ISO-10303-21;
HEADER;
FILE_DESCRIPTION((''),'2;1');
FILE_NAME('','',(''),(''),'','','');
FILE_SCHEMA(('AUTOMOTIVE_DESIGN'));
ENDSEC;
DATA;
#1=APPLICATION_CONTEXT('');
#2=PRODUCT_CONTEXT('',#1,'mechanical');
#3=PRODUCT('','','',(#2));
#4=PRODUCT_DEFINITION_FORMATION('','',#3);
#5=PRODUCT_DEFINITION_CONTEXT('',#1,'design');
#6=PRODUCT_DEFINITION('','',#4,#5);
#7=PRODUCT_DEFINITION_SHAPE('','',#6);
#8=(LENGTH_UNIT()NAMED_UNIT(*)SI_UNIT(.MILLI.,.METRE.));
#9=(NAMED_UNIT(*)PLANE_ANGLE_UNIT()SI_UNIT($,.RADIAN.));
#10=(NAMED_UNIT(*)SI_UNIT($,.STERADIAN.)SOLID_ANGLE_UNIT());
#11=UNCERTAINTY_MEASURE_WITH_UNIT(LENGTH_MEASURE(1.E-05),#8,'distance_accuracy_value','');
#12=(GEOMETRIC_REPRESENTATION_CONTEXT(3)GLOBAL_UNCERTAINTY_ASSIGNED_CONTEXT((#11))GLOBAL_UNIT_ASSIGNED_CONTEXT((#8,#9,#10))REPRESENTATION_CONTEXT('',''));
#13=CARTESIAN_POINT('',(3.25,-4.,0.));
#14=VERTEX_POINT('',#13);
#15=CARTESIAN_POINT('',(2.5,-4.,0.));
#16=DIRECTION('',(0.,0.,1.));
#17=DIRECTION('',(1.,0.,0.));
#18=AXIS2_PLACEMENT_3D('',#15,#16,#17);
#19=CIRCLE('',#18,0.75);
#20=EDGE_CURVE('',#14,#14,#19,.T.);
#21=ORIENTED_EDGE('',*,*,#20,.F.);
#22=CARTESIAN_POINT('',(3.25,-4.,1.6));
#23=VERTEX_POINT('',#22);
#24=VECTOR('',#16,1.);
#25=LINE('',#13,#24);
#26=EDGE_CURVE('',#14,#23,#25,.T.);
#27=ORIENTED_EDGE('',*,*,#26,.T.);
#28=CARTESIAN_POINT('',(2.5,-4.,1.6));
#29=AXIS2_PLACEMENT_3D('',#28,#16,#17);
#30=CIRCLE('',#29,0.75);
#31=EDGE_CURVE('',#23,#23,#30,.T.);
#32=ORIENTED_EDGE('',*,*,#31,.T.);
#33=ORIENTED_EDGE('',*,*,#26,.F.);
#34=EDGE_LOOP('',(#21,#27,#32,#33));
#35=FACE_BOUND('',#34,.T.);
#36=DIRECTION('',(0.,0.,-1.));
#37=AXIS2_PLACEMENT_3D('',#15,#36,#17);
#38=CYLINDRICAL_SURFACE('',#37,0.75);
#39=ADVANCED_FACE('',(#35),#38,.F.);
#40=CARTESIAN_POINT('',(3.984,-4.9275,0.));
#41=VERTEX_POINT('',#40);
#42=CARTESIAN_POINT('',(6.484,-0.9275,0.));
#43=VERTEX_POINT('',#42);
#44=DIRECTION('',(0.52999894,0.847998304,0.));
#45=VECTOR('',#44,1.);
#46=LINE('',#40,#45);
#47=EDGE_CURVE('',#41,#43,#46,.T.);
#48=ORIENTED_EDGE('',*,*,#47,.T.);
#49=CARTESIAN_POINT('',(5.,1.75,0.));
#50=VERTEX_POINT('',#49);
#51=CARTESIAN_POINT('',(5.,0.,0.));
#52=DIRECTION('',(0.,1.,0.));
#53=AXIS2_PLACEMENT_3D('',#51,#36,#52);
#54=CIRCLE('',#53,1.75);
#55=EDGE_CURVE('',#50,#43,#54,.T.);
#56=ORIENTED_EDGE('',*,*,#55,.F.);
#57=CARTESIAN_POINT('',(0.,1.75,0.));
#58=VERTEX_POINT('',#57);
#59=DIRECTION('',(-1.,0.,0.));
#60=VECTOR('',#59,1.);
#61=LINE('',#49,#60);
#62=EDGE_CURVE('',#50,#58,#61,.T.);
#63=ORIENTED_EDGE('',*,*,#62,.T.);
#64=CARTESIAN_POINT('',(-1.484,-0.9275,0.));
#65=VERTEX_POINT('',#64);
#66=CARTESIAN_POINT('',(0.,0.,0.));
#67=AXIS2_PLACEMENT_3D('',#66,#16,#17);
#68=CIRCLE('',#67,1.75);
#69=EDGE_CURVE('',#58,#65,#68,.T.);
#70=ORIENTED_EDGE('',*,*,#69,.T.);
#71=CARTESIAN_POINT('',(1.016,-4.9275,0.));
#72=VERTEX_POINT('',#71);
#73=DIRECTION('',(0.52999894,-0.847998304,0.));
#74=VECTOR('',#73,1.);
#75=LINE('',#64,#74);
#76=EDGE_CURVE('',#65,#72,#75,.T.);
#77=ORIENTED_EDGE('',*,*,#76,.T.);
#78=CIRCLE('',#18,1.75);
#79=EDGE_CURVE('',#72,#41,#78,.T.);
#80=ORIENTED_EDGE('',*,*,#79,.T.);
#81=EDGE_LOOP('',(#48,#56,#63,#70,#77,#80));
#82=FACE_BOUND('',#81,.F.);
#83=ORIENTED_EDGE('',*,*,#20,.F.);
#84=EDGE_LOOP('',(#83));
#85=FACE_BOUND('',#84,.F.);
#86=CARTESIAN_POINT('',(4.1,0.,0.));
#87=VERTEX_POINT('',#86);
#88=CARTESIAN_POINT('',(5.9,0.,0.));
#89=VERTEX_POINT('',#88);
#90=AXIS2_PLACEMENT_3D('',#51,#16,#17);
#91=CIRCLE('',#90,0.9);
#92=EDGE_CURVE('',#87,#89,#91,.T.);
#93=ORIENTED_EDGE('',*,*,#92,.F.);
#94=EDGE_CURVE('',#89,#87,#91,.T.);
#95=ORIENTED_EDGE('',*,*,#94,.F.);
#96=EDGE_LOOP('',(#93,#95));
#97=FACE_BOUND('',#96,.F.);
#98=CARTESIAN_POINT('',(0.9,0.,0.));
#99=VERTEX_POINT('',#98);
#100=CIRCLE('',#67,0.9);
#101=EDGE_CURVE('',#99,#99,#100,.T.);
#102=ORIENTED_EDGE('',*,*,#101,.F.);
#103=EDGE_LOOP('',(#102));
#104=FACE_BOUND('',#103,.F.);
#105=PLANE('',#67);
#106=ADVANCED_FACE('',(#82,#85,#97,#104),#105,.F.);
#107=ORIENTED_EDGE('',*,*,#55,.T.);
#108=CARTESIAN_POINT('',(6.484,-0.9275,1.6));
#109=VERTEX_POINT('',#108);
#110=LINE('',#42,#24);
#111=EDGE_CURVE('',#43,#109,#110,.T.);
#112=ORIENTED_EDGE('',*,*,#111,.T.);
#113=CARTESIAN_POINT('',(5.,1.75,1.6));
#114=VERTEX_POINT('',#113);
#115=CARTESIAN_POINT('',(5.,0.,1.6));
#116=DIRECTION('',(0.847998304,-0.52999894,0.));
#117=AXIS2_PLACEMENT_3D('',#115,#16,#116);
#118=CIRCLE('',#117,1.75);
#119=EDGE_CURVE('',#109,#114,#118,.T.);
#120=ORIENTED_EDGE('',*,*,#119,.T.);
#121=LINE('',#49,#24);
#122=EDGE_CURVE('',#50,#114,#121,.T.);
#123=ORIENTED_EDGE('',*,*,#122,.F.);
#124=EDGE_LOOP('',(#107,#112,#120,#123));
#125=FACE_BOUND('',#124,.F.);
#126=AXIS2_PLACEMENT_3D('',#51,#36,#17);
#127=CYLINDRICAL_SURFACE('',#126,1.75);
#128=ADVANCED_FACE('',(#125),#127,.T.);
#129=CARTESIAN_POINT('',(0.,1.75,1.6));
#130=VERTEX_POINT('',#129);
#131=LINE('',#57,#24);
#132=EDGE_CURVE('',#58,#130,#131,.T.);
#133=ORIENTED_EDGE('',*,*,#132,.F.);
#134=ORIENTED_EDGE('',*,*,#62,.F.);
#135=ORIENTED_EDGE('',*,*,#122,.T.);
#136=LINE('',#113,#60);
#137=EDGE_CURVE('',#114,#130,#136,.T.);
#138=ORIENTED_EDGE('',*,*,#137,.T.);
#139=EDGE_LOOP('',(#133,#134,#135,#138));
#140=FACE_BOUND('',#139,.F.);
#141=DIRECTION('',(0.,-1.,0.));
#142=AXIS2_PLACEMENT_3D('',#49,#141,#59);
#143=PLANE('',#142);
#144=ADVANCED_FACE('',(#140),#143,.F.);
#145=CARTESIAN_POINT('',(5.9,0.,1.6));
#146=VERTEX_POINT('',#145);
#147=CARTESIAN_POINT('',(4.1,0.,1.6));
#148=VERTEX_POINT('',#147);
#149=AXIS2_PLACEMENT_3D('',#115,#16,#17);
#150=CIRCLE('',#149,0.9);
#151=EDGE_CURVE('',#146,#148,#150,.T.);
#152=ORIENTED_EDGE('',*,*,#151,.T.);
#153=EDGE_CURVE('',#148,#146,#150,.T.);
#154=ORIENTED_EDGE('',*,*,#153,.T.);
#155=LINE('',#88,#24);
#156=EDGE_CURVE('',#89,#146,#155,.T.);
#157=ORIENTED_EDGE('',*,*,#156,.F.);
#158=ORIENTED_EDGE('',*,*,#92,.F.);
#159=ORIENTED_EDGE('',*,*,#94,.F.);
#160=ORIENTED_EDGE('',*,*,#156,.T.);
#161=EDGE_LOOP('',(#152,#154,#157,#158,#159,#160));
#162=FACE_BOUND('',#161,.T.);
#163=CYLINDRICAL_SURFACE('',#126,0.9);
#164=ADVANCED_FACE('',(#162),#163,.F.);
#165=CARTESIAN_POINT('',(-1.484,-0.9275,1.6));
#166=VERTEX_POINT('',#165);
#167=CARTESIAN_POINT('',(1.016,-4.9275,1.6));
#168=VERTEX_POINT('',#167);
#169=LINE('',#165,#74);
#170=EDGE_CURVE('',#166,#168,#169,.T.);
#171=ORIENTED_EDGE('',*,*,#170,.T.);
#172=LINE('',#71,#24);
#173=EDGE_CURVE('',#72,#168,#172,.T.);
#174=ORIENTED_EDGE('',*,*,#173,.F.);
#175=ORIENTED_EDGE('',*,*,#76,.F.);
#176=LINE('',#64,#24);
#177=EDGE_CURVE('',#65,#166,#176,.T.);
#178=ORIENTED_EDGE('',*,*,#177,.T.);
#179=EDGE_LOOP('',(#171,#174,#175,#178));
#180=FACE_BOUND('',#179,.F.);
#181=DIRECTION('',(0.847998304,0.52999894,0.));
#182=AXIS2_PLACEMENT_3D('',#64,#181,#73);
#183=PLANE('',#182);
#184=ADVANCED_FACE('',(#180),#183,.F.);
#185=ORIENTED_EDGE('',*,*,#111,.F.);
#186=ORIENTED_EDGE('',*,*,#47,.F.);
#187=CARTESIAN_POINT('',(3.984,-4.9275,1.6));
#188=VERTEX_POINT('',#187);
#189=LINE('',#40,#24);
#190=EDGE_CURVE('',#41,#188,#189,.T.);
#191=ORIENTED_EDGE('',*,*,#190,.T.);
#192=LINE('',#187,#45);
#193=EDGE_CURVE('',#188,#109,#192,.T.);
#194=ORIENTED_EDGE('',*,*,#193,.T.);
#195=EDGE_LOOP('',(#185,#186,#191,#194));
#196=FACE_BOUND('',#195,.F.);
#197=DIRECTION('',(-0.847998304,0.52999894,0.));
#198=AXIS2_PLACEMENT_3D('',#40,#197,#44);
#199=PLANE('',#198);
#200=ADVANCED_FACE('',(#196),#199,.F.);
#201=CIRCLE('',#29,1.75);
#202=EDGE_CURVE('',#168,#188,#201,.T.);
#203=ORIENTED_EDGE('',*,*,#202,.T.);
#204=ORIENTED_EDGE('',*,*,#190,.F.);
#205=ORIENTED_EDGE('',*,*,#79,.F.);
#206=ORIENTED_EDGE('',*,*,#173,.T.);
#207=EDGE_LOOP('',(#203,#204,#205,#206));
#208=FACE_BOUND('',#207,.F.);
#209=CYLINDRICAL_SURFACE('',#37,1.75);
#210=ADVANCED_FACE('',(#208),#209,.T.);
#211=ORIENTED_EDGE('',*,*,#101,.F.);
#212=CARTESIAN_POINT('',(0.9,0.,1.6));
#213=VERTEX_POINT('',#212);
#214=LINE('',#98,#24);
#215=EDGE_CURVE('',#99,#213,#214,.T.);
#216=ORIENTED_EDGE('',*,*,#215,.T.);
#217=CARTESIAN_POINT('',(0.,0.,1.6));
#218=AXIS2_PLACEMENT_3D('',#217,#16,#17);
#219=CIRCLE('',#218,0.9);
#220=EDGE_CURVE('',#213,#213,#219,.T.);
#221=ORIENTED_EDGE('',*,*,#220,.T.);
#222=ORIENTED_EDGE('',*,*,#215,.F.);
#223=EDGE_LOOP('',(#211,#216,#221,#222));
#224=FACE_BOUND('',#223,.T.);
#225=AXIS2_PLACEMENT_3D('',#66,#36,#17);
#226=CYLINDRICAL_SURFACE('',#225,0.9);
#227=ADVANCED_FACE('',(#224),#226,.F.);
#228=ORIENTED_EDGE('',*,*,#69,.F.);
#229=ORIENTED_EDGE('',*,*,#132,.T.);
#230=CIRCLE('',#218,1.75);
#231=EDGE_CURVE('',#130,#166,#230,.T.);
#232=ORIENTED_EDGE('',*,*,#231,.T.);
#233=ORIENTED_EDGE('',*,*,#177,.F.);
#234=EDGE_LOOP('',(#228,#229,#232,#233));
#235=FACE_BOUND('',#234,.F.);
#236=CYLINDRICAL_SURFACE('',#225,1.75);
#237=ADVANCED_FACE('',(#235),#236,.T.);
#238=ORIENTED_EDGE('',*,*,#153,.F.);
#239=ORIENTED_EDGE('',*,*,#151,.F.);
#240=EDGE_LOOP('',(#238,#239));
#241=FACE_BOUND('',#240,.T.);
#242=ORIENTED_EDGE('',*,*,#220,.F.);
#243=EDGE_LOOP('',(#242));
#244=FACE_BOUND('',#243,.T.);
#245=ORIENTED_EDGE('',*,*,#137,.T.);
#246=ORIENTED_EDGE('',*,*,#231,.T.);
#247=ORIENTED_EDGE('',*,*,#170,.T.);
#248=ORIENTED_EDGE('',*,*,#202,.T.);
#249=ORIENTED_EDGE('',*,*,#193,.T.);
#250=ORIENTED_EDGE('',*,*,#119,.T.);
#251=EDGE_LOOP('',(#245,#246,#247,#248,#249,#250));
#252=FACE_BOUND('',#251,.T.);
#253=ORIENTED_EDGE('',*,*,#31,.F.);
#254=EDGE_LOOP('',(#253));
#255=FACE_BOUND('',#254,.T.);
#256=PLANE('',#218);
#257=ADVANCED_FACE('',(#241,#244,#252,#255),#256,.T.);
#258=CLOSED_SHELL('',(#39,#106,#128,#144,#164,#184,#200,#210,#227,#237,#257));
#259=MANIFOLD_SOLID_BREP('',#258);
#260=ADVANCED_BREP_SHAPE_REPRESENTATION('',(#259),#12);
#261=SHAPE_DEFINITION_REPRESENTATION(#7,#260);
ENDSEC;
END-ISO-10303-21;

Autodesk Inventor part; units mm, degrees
ref_plane "YZ Plane" through (0, 0, 0) normal (1, 0, 0) x (0, 1, 0)
ref_plane "XZ Plane" through (0, 0, 0) normal (0, 1, 0) x (-1, 0, 0)
ref_plane "XY Plane" through (0, 0, 0) normal (0, 0, 1) x (1, 0, 0)
sketch "Sketch1" plane through (0, 0, 0) normal (0, 0, 1) x (1, 0, 0)
  circle A0 centre (0, 0) radius 1.75
  circle A1 centre (5, 0) radius 1.75
  line L0 (0, 0) -> (5, 0)
  circle A2 centre (2.5, -4) radius 1.75
  line L1 (-1.484, -0.9275) -> (1.016, -4.9275)
  line L2 (3.984, -4.9275) -> (6.484, -0.9275)
  line L3 (5, 1.75) -> (0, 1.75)
  circle A3 centre (0, 0) radius 0.9
  circle A4 centre (5, 0) radius 0.9
  circle A5 centre (2.5, -4) radius 0.75
  dimension "d0" = 5
  dimension "d1" = 3.5
  dimension "d2" = 4
  dimension "d3" = 1.8
  dimension "d6" = 1.5
extrude "Extrusion1" add sketch "Sketch1" along normal blind 1.6
properties part number "f3"
